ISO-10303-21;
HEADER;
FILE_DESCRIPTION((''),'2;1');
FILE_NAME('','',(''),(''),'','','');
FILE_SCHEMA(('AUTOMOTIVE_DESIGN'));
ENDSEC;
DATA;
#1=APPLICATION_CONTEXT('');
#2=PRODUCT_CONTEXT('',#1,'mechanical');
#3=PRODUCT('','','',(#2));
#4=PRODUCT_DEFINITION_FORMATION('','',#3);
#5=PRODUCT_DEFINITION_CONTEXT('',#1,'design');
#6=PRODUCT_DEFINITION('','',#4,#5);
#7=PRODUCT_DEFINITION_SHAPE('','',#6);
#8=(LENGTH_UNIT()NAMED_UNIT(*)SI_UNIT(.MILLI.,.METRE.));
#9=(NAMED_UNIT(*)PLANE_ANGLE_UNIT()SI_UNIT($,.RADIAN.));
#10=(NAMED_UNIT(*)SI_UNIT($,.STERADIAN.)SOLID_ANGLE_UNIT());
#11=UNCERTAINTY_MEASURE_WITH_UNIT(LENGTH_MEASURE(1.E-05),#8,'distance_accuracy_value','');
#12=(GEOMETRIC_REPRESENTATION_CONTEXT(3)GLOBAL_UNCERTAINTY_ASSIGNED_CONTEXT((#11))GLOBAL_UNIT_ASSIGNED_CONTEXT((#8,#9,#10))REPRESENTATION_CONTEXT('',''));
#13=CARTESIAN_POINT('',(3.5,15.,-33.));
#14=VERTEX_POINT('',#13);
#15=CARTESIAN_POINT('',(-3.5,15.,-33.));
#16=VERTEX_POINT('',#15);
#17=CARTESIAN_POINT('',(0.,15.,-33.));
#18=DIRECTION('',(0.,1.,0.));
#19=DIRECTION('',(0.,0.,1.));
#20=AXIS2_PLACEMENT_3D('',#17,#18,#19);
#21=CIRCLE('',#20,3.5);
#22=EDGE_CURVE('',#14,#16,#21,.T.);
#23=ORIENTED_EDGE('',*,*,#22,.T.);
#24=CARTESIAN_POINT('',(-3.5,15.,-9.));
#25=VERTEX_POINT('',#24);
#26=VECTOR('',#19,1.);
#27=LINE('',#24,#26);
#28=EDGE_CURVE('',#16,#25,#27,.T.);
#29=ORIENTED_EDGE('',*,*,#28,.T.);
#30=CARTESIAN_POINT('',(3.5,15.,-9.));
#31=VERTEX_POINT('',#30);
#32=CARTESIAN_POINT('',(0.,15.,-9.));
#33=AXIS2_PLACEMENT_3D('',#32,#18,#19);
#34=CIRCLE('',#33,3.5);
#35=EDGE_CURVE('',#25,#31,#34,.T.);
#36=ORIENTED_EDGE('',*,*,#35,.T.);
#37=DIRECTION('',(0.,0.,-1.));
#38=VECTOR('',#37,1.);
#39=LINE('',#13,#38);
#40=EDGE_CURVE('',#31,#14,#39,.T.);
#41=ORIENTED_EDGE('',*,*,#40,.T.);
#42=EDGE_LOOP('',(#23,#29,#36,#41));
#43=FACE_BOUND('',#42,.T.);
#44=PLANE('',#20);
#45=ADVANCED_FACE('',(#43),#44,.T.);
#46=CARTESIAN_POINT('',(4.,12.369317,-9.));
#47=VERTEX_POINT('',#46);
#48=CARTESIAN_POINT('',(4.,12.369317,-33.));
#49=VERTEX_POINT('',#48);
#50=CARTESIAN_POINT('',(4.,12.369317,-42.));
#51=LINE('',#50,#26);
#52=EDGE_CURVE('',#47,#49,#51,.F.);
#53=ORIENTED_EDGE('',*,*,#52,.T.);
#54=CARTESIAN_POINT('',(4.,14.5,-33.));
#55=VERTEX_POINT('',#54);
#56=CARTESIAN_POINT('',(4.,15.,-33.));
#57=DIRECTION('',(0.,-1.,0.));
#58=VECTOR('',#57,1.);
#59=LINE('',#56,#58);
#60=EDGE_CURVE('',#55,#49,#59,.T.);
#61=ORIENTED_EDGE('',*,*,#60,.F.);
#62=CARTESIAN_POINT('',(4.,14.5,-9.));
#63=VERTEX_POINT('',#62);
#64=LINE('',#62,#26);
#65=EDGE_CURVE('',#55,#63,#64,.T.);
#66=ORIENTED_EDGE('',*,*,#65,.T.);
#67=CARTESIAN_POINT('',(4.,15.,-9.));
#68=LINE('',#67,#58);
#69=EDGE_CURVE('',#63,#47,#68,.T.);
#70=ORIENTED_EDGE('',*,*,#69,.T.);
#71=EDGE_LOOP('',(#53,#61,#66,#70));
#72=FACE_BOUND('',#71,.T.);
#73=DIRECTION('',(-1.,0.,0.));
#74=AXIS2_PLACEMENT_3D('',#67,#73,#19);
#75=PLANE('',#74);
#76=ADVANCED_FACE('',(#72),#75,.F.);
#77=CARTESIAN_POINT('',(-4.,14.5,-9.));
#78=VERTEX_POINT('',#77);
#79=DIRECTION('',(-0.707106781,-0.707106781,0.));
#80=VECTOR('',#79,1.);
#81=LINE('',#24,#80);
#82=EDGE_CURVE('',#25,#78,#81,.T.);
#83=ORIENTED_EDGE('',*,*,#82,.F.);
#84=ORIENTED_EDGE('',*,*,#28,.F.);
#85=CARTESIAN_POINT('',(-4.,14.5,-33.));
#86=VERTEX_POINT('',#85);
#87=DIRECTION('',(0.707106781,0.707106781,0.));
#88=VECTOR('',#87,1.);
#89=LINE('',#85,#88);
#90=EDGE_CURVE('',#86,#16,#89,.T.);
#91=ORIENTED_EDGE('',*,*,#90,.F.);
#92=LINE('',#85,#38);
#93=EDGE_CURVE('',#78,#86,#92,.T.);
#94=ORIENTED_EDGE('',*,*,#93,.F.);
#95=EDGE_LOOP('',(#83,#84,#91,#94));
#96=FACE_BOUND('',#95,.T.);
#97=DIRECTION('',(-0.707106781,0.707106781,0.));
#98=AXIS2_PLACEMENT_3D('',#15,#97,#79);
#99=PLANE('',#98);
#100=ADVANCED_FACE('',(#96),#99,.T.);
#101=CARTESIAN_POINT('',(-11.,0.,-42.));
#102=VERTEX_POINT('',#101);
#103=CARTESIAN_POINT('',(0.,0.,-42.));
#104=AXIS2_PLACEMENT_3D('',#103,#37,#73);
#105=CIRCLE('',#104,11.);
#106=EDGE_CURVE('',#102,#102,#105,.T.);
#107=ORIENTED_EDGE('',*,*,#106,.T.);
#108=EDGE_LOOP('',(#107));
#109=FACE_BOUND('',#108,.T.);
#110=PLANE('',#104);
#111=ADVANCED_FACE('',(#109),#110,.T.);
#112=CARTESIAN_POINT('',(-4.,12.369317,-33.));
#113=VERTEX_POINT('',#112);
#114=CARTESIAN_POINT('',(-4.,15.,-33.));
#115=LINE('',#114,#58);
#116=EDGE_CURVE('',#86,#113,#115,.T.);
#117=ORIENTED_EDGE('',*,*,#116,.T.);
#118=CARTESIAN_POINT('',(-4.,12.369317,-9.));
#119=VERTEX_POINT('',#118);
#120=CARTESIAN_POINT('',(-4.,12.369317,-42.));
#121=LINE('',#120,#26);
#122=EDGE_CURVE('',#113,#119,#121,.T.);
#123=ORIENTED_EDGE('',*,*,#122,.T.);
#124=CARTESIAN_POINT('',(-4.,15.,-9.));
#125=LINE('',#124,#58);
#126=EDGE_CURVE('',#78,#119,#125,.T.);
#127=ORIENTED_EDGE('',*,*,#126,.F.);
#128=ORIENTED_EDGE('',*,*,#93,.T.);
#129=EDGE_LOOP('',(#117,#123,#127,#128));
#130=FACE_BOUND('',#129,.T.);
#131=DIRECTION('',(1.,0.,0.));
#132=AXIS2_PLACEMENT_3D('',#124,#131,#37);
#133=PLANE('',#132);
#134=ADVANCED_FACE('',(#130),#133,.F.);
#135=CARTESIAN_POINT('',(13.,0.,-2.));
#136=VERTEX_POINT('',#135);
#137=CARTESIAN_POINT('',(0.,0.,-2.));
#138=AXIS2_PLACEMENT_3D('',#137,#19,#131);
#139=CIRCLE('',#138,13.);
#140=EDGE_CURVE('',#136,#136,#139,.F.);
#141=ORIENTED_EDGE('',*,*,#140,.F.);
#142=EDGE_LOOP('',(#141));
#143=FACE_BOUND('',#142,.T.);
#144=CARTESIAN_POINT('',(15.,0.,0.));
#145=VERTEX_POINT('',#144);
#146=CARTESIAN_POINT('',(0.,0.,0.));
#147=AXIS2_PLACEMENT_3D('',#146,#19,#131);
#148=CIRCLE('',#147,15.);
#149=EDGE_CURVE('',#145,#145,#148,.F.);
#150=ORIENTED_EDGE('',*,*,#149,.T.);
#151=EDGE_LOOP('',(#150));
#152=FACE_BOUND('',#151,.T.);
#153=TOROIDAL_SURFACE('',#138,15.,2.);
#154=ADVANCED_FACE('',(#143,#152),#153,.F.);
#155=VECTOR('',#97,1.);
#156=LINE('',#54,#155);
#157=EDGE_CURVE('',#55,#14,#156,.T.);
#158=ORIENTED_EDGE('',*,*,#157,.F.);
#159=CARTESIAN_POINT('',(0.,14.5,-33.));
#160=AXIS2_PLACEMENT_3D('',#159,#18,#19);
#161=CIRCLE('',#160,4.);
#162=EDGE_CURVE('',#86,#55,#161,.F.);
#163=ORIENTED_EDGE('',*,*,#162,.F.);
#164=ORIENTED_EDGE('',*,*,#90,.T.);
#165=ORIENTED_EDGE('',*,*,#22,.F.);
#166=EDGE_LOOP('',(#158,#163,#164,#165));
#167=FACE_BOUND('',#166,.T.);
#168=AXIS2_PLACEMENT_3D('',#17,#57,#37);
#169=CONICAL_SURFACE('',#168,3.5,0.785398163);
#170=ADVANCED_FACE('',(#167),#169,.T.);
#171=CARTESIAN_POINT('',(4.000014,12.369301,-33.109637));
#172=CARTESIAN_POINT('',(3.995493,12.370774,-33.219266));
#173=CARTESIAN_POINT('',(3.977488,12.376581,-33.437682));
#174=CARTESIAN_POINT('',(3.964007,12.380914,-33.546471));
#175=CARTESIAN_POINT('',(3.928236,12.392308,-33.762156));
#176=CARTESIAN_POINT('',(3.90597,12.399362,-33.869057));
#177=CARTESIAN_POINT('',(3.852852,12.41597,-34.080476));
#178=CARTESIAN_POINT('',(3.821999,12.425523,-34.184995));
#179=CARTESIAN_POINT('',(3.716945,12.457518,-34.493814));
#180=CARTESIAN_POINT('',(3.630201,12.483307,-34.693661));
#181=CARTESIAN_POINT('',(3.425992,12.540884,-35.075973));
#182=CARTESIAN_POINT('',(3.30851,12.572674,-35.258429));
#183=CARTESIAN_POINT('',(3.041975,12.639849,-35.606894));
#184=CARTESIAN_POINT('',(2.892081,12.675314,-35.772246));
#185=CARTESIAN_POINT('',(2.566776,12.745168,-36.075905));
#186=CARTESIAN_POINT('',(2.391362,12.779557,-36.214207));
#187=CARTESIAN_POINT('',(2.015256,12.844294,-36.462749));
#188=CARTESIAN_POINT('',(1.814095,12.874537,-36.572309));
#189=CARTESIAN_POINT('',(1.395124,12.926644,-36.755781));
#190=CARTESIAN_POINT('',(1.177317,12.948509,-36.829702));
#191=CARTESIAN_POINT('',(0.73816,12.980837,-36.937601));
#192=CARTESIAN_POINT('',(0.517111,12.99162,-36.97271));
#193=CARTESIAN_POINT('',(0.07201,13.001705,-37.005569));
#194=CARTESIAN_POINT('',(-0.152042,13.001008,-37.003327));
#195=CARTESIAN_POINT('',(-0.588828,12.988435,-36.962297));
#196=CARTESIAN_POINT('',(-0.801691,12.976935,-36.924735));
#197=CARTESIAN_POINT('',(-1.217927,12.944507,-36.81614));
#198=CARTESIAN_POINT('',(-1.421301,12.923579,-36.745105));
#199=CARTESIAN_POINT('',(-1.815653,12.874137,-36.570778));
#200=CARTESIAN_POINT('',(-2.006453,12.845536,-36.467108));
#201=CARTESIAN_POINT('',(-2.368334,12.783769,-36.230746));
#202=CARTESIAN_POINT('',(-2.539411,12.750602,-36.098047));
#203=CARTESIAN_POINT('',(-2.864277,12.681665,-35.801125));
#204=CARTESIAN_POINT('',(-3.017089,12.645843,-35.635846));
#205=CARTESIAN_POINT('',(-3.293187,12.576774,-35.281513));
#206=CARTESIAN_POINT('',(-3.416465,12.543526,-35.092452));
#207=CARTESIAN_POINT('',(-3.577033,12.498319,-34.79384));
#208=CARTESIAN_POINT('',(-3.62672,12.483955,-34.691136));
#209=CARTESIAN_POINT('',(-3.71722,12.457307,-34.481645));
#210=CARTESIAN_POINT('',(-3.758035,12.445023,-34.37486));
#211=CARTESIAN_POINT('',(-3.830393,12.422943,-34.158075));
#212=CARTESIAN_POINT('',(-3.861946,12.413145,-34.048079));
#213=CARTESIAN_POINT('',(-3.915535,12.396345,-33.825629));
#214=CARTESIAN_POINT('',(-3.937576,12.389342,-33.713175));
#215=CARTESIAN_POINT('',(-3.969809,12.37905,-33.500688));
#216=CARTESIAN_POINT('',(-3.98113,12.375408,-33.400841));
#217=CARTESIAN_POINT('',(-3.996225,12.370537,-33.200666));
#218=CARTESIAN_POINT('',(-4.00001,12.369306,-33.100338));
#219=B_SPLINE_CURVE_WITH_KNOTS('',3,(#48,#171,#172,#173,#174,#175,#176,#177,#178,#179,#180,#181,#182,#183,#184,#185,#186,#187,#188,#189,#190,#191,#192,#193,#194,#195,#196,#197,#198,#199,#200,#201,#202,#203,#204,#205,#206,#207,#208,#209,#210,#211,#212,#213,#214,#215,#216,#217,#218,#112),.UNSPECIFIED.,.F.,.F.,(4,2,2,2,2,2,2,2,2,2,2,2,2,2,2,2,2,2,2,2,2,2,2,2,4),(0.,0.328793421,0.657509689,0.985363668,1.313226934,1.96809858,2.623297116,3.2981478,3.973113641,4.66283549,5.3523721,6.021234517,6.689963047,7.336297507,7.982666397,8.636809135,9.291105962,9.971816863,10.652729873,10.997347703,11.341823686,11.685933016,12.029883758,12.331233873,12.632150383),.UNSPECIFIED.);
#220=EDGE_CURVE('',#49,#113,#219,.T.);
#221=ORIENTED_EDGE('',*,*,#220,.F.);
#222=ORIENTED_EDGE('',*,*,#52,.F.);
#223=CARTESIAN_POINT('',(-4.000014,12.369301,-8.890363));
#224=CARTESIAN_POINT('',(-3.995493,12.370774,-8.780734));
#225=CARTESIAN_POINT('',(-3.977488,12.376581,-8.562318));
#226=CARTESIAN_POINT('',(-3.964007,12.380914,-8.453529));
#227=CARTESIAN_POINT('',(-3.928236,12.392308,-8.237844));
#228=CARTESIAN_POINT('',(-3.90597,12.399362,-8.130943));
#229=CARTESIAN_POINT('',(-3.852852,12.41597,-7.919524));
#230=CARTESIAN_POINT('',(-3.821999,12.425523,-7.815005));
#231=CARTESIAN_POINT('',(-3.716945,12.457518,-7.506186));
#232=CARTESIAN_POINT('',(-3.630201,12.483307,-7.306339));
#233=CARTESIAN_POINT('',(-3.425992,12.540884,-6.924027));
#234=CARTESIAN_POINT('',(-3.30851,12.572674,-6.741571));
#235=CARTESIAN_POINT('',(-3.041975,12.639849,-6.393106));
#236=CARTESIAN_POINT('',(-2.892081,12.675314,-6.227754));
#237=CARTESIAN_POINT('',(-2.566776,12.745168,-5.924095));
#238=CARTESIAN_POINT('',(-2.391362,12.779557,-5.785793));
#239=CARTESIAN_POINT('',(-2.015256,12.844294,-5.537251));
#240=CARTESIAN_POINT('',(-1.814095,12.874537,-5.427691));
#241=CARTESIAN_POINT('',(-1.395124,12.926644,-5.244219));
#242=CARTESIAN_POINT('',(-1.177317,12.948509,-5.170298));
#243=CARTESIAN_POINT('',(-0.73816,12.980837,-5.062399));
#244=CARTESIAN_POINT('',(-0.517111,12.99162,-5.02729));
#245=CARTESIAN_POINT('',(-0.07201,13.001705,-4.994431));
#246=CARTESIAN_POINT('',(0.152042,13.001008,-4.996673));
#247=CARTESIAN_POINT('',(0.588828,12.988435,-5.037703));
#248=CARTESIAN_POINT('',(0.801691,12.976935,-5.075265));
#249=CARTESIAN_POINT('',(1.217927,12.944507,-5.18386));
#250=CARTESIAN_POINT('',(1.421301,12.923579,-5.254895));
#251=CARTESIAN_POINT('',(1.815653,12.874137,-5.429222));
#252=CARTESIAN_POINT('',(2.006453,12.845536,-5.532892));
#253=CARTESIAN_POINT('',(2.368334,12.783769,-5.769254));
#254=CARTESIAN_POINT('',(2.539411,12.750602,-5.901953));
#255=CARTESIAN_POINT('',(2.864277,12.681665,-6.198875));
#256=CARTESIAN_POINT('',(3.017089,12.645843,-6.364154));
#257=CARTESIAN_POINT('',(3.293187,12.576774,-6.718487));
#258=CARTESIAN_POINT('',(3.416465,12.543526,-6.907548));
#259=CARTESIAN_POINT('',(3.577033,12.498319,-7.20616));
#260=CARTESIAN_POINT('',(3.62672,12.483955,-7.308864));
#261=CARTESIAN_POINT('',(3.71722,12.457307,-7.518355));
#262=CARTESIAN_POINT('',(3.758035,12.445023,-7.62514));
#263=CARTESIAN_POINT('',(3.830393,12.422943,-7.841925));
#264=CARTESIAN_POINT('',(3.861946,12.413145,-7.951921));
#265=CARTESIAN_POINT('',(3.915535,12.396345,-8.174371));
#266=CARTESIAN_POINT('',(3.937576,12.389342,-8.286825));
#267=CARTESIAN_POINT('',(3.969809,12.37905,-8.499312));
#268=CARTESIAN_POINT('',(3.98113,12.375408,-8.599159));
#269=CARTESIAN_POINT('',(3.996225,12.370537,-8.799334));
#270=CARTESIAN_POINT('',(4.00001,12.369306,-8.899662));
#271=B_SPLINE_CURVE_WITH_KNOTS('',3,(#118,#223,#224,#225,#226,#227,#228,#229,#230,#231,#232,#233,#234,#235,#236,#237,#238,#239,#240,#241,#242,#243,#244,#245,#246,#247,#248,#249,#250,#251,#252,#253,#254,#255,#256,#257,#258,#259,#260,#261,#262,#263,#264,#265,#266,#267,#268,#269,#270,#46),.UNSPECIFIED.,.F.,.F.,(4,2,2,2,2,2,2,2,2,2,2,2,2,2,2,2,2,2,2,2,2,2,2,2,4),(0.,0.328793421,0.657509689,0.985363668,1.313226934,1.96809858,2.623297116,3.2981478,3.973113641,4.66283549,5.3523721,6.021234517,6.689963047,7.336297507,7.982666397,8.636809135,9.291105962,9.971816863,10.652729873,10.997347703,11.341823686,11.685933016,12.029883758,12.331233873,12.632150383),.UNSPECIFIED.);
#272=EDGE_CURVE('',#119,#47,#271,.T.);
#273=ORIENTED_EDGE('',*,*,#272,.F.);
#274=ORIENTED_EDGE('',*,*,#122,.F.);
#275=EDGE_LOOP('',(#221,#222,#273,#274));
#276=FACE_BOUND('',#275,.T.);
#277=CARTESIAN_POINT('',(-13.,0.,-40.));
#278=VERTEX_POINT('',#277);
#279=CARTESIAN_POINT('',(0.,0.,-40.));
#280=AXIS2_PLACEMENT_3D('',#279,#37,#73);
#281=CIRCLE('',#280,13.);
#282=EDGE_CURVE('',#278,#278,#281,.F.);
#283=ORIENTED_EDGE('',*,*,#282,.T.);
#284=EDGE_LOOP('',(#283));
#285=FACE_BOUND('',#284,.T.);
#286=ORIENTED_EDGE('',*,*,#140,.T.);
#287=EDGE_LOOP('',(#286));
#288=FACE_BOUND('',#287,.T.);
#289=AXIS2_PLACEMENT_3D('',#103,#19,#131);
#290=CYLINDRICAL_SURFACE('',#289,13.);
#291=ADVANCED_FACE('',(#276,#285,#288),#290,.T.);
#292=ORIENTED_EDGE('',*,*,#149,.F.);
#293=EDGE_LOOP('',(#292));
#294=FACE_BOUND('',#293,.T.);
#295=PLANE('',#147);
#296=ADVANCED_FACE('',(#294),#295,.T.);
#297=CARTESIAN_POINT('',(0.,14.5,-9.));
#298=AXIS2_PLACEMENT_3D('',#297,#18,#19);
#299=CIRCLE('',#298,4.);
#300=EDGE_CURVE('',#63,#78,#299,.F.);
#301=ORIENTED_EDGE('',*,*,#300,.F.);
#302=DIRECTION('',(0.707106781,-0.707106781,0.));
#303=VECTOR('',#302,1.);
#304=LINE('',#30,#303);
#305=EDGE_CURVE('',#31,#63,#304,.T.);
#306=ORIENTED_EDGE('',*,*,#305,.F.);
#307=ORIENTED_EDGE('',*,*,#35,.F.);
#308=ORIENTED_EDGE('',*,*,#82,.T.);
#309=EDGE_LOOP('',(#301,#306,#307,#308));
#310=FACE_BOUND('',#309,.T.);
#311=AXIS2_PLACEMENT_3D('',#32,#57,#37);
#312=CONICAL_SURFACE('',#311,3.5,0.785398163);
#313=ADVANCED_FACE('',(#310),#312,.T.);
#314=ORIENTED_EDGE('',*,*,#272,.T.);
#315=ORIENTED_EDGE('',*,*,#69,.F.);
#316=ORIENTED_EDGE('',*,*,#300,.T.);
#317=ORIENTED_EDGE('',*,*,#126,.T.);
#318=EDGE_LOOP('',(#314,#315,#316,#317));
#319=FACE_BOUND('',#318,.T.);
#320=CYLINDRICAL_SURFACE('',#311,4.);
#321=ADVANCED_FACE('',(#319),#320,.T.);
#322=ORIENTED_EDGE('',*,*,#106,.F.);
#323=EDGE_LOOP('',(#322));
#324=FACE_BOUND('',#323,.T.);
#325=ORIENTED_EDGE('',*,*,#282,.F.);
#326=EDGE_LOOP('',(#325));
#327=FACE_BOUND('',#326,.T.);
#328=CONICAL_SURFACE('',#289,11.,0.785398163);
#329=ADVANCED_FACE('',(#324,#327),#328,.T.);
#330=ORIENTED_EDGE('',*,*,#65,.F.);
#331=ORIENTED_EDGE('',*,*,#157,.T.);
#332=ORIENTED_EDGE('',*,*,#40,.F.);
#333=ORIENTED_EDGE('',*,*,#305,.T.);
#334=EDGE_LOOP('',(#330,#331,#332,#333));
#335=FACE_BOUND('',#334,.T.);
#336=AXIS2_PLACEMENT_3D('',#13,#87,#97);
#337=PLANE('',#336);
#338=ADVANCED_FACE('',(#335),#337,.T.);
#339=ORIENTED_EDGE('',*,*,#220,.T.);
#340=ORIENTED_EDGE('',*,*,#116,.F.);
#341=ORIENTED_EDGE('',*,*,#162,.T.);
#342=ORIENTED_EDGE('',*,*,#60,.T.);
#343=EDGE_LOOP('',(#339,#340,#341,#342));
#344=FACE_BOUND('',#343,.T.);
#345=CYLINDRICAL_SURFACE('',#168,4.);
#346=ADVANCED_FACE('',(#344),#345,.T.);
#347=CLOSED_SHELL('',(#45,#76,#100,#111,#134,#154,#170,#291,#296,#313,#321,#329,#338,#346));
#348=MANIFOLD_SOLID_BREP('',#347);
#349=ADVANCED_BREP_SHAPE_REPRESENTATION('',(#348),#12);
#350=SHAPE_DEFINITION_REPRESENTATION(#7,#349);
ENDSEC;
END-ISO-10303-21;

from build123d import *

# Parameters (mm, degrees)
SKETCH_1_R          = 41.275
EXTRUDE_1_DEPTH     = 5
SKETCH_5_R          = 13
EXTRUDE_5_DEPTH     = 42
CHAMFER_3_SIZE      = 2
FILLET_1_R          = 2
EXTRUDE_START       = -0.630683
EXTRUDE_7_DEPTH     = 2.630683
CHAMFER_4_SIZE      = 0.5
SKETCH_11_R         = 65.391227149
CUT_EXTRUDE_1_DEPTH = 5


with BuildPart() as part:
    # 草图1 → 凸台-拉伸1 (new body)
    with BuildSketch(Plane.XY):
        Circle(SKETCH_1_R)
    extrude(amount=EXTRUDE_1_DEPTH)

    # 草图5 → 凸台-拉伸5 (add)
    with BuildSketch(Plane(origin=(0, 0, 0), x_dir=(-1, 0, 0), z_dir=(0, 0, -1))):
        Circle(SKETCH_5_R)
    extrude(amount=EXTRUDE_5_DEPTH)

    # 倒角3
    chamfer_3_edges = [part.edges().sort_by_distance(p)[0] for p in [
        (13, 0, -42),
    ]]
    chamfer(chamfer_3_edges, length=CHAMFER_3_SIZE)

    # 圆角1
    fillet_1_edges = [part.edges().sort_by_distance(p)[0] for p in [
        (13, 0, 0),
    ]]
    fillet(fillet_1_edges, radius=FILLET_1_R)

    # 草图10 → 凸台-拉伸7 (add)
    with BuildSketch(Plane(origin=(0, 13, 0), x_dir=(-1, 0, 0), z_dir=(0, 1, 0)).offset(EXTRUDE_START)):
        with BuildLine():
            Line((-4, -9), (-4, -33))
            ThreePointArc((-4, -33), (0, -37), (4, -33))
            Line((4, -33), (4, -9))
            ThreePointArc((4, -9), (0, -5), (-4, -9))
        make_face()
    extrude(amount=EXTRUDE_7_DEPTH)

    # 倒角4
    chamfer_4_edges = [part.edges().sort_by_distance(p)[0] for p in [
        (0, 15, -37),
        (-4, 15, -21),
        (0, 15, -5),
        (4, 15, -21),
    ]]
    chamfer(chamfer_4_edges, length=CHAMFER_4_SIZE)

    # 草图11 → 切除-拉伸1 (cut)
    with BuildSketch(Plane.XY.offset(5)):
        Circle(SKETCH_11_R)
    extrude(amount=-CUT_EXTRUDE_1_DEPTH, mode=Mode.SUBTRACT)


solid = part.part
